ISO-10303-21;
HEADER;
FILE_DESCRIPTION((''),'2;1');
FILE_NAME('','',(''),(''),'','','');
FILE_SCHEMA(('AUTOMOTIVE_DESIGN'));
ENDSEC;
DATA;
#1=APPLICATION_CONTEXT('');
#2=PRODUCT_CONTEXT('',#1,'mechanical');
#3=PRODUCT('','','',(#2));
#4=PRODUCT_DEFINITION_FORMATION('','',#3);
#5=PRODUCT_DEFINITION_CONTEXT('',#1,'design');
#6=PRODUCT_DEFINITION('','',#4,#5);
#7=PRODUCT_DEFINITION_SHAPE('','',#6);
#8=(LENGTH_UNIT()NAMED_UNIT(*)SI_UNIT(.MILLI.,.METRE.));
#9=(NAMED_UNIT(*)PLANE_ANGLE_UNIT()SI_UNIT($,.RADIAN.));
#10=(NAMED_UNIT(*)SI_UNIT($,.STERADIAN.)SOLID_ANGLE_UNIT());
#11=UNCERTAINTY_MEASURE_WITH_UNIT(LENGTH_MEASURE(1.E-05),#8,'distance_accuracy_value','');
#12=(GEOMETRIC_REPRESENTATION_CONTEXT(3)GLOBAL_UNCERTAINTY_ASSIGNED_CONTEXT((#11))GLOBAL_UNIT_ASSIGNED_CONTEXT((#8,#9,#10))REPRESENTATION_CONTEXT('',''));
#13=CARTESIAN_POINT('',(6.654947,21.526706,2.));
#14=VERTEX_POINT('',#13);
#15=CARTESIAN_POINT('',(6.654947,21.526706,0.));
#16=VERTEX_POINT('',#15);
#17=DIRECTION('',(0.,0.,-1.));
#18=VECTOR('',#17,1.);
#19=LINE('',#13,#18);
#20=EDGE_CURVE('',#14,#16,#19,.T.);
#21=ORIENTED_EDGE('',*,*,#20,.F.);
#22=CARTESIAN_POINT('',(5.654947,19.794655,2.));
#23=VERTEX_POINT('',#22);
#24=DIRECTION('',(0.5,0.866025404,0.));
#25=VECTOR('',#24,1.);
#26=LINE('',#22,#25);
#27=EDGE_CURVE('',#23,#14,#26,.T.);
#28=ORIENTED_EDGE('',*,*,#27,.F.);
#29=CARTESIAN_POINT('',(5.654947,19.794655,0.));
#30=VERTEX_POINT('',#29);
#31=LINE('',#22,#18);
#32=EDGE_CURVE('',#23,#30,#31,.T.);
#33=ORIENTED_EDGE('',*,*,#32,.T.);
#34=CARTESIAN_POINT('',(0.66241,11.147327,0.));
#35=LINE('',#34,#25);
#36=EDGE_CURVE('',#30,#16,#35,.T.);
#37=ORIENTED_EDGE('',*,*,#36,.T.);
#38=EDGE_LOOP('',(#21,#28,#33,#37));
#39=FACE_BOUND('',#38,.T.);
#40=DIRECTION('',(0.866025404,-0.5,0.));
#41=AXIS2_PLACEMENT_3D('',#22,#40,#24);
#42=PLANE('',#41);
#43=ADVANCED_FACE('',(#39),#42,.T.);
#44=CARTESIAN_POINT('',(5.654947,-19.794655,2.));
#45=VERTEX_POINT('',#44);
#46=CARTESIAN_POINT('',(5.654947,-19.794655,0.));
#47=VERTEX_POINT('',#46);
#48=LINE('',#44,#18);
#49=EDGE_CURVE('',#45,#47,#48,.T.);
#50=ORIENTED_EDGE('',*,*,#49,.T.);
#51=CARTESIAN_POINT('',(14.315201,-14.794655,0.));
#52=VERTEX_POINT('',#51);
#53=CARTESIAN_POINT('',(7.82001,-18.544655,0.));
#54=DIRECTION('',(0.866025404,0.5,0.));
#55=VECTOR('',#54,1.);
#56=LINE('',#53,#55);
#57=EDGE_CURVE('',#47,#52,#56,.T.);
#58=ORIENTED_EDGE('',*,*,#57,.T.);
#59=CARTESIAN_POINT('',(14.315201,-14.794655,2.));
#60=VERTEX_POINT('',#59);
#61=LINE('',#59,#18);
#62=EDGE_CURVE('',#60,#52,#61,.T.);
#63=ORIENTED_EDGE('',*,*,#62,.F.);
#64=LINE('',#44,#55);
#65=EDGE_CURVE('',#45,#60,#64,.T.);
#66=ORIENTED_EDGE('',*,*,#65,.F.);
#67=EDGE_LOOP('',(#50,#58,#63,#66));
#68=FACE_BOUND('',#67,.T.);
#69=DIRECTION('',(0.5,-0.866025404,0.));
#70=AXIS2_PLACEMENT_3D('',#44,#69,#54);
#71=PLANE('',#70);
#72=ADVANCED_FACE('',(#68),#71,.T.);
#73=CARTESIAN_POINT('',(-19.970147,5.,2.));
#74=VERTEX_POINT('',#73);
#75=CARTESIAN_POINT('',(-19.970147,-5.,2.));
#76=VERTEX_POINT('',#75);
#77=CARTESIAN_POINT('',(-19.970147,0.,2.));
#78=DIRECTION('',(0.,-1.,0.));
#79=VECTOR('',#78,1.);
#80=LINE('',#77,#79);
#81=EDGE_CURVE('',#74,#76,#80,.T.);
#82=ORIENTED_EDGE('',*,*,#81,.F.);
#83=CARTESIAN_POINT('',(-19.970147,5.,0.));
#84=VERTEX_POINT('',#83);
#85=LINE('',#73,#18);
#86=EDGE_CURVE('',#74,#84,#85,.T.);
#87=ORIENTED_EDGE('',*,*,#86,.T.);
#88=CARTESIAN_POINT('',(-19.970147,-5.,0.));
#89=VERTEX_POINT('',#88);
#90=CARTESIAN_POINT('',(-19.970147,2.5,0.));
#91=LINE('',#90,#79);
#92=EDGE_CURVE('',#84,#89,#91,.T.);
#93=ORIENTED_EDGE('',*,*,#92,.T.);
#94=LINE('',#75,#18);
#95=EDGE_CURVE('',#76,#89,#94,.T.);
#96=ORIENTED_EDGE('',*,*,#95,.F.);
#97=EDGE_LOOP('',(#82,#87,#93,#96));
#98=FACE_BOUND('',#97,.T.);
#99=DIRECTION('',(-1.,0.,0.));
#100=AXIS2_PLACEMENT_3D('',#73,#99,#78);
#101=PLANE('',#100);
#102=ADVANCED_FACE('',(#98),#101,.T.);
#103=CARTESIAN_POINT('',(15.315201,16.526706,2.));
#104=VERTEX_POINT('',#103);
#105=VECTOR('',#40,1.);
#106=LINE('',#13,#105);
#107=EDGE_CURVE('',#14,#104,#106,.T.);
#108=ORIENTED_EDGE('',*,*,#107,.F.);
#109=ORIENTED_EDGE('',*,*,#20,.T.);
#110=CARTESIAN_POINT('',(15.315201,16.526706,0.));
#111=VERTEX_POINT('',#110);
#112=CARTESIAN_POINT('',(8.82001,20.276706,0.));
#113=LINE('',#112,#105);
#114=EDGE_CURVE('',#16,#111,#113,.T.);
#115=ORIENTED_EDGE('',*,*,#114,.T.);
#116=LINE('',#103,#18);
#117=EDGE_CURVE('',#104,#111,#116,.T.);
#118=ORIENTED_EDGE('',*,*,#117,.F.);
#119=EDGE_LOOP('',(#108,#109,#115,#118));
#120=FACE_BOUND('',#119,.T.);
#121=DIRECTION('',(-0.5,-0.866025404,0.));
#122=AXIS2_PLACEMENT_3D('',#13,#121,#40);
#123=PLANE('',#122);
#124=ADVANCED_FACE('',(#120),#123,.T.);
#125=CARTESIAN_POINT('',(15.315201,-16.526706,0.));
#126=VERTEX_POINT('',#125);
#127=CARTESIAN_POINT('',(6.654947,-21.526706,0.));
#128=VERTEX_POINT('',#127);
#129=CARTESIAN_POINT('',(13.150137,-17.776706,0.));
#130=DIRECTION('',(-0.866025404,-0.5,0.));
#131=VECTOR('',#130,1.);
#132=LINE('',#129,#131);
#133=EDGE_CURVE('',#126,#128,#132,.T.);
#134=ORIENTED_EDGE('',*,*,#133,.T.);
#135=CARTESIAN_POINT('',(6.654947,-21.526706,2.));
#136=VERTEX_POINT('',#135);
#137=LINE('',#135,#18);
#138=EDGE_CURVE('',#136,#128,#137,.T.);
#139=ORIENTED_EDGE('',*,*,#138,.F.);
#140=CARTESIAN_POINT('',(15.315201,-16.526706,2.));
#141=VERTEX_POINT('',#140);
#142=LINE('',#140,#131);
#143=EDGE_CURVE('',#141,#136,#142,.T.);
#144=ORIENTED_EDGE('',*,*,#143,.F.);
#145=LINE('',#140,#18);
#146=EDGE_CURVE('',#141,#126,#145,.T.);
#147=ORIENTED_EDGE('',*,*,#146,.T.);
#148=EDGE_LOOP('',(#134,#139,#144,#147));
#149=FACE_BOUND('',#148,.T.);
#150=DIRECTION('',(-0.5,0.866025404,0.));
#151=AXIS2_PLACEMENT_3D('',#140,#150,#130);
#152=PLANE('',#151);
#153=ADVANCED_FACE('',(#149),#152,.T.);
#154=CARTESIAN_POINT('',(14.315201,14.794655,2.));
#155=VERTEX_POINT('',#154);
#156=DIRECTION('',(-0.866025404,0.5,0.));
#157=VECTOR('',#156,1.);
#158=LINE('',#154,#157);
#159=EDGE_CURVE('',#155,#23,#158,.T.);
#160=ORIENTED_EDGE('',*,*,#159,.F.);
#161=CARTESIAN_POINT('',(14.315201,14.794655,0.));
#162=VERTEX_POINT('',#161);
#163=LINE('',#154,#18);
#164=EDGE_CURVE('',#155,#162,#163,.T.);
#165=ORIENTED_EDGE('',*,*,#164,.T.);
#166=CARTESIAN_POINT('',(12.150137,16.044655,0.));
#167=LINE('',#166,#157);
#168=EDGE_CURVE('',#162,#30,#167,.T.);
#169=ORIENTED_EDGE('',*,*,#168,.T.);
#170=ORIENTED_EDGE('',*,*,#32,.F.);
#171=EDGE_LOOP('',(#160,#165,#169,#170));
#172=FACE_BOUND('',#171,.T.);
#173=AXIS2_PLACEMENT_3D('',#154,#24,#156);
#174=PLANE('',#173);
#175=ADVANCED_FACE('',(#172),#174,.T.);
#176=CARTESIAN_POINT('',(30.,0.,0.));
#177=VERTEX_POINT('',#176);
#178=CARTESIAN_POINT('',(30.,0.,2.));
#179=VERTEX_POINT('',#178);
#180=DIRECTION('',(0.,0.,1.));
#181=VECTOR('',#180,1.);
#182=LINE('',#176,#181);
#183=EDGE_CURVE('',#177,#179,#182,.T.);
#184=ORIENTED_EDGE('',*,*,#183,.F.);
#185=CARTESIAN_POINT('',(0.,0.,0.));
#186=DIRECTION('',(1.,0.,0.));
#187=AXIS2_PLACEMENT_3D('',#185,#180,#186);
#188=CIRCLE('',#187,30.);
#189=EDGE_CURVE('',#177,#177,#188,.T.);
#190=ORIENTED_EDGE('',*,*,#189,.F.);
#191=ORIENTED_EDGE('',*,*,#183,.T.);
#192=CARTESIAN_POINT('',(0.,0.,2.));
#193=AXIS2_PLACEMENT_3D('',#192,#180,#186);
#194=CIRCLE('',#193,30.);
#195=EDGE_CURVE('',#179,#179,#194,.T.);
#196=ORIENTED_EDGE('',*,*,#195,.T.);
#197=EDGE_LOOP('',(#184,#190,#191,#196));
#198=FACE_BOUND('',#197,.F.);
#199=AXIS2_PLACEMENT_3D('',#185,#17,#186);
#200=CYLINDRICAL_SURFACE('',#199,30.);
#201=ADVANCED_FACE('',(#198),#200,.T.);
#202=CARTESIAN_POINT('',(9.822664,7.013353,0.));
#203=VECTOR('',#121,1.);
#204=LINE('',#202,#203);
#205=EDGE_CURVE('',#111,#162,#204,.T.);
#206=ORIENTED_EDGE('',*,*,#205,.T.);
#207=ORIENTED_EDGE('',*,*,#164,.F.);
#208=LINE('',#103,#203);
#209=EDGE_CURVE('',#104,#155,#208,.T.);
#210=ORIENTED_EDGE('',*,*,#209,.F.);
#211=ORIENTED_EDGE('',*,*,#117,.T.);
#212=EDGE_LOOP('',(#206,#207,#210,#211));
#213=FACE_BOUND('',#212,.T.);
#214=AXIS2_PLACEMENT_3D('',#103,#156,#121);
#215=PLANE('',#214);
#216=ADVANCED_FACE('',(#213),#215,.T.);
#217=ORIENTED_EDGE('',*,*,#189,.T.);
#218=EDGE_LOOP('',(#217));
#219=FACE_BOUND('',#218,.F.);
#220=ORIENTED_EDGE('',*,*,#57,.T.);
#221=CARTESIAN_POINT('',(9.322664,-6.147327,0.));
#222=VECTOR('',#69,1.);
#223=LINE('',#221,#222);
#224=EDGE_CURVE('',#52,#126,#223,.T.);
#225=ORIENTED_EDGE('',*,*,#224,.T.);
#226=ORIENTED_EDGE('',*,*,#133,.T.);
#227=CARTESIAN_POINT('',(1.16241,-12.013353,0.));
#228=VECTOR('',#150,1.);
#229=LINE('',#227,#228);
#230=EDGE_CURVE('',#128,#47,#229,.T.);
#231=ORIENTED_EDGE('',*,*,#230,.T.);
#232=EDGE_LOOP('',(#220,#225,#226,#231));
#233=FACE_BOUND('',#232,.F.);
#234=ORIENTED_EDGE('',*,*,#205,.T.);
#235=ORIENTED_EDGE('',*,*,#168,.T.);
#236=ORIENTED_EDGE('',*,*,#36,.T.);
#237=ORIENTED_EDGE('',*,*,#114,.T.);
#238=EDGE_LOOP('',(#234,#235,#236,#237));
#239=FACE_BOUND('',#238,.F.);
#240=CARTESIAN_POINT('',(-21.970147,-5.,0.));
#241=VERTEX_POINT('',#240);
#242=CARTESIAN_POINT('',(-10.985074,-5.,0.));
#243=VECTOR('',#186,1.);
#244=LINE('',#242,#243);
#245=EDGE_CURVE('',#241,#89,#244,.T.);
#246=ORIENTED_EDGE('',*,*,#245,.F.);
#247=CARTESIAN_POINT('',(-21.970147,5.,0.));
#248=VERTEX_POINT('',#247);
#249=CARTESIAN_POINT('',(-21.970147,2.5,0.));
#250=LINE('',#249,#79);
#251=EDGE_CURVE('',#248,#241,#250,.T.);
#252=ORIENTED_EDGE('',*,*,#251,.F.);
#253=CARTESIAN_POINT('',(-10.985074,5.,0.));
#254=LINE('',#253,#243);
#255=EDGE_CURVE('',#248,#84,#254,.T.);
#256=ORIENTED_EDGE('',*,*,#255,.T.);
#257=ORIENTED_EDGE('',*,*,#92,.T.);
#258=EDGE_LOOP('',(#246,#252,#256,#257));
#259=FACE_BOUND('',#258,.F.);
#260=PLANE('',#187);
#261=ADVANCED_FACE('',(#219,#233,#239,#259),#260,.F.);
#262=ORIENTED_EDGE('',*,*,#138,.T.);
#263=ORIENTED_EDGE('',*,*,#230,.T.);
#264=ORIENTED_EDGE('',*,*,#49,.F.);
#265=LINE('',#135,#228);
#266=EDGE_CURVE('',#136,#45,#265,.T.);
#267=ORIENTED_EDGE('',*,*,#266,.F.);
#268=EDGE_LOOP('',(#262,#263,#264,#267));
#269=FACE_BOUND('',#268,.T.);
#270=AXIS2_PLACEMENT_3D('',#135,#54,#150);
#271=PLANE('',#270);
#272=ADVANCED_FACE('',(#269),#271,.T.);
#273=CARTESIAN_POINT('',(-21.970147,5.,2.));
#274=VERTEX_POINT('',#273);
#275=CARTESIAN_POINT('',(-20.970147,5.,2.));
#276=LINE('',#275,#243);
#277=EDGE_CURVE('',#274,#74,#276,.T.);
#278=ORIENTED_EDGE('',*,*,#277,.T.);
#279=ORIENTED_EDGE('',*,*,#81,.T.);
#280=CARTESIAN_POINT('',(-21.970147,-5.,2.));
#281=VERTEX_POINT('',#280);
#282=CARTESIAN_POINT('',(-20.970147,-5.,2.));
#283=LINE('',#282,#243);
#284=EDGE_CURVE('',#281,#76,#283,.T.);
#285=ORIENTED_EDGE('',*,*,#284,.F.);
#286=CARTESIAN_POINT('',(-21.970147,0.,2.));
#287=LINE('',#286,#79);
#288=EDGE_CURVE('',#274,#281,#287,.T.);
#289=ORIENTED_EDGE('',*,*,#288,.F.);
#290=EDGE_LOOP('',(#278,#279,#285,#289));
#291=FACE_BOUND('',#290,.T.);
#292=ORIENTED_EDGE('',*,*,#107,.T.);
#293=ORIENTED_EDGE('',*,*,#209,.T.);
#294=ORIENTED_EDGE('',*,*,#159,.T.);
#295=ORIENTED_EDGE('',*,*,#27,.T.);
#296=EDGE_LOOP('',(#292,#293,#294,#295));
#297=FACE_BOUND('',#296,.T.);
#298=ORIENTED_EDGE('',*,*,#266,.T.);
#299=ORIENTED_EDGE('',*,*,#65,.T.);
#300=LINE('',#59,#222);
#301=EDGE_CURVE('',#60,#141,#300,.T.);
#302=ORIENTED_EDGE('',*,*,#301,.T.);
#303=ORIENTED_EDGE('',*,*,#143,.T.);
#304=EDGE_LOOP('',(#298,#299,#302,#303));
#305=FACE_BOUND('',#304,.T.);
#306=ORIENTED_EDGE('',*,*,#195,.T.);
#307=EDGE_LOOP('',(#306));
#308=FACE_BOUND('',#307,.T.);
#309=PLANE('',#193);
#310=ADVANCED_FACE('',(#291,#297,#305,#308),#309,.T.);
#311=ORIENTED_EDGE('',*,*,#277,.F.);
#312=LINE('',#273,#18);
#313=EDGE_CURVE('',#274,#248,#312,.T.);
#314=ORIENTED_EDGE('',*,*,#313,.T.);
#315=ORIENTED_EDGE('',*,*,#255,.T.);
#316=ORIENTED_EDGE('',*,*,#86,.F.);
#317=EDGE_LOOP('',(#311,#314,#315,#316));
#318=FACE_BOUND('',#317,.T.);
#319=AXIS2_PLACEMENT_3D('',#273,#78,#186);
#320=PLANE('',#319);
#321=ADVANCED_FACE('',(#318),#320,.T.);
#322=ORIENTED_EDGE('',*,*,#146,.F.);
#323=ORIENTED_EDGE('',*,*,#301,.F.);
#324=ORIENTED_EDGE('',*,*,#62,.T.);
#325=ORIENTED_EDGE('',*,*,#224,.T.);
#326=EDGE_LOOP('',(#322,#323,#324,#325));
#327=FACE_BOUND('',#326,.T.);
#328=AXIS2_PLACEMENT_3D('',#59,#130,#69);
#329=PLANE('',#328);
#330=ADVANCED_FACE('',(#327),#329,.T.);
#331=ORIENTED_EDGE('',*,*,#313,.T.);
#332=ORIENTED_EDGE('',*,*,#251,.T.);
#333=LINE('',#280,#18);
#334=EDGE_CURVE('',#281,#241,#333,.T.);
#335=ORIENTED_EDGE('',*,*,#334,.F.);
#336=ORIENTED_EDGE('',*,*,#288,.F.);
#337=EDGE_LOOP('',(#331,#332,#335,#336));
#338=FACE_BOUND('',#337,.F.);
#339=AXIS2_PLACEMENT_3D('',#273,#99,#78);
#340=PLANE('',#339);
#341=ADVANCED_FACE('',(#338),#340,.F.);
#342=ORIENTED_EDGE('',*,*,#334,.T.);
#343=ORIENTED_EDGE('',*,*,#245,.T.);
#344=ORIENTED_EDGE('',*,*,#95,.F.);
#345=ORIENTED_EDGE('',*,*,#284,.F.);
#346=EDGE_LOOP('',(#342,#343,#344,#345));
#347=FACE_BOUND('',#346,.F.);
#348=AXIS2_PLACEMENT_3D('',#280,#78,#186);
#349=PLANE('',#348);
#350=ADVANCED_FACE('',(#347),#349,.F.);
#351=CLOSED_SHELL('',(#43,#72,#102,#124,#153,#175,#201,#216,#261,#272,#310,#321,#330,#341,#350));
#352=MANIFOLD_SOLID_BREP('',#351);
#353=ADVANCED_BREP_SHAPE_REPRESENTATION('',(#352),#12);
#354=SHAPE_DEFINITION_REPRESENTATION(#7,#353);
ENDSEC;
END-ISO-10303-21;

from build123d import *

# Parameters (mm, degrees)
F0_R      = 30
F1_DEPTH  = 2
F2_W      = 2
F2_H      = 10
F3_DEPTH  = 25
F4_COUNT  = 3
F3_FACE_W = 2
F3_FACE_H = 10
F5_DEPTH  = 25
F6_DEPTH  = 25


with BuildPart() as f1:
    # F0 (on Top) → F1 (new body)
    with BuildSketch(Plane.XY):
        Circle(F0_R)
    extrude(amount=F1_DEPTH)

    # F4_face (on face) + F3_face (on face) → F5 (cut)
    with BuildSketch(Plane(origin=(10.4850735515, -18.1606801124, 2), x_dir=(1, 0, 0), z_dir=(0, 0, -1))):
        Polygon((-3.8301270189, 3.3660254038), (-4.8301270189, 1.6339745962), (3.8301270189, -3.3660254038), (4.8301270189, -1.6339745962), align=None)
        Polygon((4.8301270189, -34.6873856285), (3.8301270189, -32.9553348209), (-4.8301270189, -37.9553348209), (-3.8301270189, -39.6873856285), align=None)
    with BuildSketch(Plane(origin=(-20.9701471031, 0, 2), x_dir=(1, 0, 0), z_dir=(0, 0, -1))):
        Rectangle(F3_FACE_W, F3_FACE_H)
    extrude(amount=F5_DEPTH, mode=Mode.SUBTRACT)


with BuildPart() as f3:
    # F2 (on face) → F3 (new body)
    with BuildSketch(Plane.XY.offset(2)):
        with Locations((-20.9701471031, 0)):
            Rectangle(F2_W, F2_H)
    extrude(amount=F3_DEPTH)


with BuildPart() as f4_1:
    # F4: instance of F3
    add(f3.part.rotate(Axis((0, 0, 0), (0, 0, -1)), 1 * 360 / F4_COUNT))


with BuildPart() as f4_2:
    # F4: instance of F3
    add(f3.part.rotate(Axis((0, 0, 0), (0, 0, -1)), 2 * 360 / F4_COUNT))


with BuildPart() as f6_tool:
    # F3_face (on face) + F4_face (on face) → F6 (new body)
    with BuildSketch(Plane(origin=(-20.9701471031, 0, 2), x_dir=(1, 0, 0), z_dir=(0, 0, -1))):
        Rectangle(F3_FACE_W, F3_FACE_H)
    with BuildSketch(Plane(origin=(10.4850735515, -18.1606801124, 2), x_dir=(1, 0, 0), z_dir=(0, 0, -1))):
        Polygon((4.8301270189, -34.6873856285), (3.8301270189, -32.9553348209), (-4.8301270189, -37.9553348209), (-3.8301270189, -39.6873856285), align=None)
        Polygon((-3.8301270189, 3.3660254038), (-4.8301270189, 1.6339745962), (3.8301270189, -3.3660254038), (4.8301270189, -1.6339745962), align=None)
    extrude(amount=-F6_DEPTH)


with BuildPart() as f3_1:
    add(f3.part)

    # F6: cut by f6_tool
    add(f6_tool.part, mode=Mode.SUBTRACT)


with BuildPart() as f4_1_1:
    add(f4_1.part)

    # F6: cut by f6_tool
    add(f6_tool.part, mode=Mode.SUBTRACT)


with BuildPart() as f4_2_1:
    add(f4_2.part)

    # F6: cut by f6_tool
    add(f6_tool.part, mode=Mode.SUBTRACT)


solid = f1.part
